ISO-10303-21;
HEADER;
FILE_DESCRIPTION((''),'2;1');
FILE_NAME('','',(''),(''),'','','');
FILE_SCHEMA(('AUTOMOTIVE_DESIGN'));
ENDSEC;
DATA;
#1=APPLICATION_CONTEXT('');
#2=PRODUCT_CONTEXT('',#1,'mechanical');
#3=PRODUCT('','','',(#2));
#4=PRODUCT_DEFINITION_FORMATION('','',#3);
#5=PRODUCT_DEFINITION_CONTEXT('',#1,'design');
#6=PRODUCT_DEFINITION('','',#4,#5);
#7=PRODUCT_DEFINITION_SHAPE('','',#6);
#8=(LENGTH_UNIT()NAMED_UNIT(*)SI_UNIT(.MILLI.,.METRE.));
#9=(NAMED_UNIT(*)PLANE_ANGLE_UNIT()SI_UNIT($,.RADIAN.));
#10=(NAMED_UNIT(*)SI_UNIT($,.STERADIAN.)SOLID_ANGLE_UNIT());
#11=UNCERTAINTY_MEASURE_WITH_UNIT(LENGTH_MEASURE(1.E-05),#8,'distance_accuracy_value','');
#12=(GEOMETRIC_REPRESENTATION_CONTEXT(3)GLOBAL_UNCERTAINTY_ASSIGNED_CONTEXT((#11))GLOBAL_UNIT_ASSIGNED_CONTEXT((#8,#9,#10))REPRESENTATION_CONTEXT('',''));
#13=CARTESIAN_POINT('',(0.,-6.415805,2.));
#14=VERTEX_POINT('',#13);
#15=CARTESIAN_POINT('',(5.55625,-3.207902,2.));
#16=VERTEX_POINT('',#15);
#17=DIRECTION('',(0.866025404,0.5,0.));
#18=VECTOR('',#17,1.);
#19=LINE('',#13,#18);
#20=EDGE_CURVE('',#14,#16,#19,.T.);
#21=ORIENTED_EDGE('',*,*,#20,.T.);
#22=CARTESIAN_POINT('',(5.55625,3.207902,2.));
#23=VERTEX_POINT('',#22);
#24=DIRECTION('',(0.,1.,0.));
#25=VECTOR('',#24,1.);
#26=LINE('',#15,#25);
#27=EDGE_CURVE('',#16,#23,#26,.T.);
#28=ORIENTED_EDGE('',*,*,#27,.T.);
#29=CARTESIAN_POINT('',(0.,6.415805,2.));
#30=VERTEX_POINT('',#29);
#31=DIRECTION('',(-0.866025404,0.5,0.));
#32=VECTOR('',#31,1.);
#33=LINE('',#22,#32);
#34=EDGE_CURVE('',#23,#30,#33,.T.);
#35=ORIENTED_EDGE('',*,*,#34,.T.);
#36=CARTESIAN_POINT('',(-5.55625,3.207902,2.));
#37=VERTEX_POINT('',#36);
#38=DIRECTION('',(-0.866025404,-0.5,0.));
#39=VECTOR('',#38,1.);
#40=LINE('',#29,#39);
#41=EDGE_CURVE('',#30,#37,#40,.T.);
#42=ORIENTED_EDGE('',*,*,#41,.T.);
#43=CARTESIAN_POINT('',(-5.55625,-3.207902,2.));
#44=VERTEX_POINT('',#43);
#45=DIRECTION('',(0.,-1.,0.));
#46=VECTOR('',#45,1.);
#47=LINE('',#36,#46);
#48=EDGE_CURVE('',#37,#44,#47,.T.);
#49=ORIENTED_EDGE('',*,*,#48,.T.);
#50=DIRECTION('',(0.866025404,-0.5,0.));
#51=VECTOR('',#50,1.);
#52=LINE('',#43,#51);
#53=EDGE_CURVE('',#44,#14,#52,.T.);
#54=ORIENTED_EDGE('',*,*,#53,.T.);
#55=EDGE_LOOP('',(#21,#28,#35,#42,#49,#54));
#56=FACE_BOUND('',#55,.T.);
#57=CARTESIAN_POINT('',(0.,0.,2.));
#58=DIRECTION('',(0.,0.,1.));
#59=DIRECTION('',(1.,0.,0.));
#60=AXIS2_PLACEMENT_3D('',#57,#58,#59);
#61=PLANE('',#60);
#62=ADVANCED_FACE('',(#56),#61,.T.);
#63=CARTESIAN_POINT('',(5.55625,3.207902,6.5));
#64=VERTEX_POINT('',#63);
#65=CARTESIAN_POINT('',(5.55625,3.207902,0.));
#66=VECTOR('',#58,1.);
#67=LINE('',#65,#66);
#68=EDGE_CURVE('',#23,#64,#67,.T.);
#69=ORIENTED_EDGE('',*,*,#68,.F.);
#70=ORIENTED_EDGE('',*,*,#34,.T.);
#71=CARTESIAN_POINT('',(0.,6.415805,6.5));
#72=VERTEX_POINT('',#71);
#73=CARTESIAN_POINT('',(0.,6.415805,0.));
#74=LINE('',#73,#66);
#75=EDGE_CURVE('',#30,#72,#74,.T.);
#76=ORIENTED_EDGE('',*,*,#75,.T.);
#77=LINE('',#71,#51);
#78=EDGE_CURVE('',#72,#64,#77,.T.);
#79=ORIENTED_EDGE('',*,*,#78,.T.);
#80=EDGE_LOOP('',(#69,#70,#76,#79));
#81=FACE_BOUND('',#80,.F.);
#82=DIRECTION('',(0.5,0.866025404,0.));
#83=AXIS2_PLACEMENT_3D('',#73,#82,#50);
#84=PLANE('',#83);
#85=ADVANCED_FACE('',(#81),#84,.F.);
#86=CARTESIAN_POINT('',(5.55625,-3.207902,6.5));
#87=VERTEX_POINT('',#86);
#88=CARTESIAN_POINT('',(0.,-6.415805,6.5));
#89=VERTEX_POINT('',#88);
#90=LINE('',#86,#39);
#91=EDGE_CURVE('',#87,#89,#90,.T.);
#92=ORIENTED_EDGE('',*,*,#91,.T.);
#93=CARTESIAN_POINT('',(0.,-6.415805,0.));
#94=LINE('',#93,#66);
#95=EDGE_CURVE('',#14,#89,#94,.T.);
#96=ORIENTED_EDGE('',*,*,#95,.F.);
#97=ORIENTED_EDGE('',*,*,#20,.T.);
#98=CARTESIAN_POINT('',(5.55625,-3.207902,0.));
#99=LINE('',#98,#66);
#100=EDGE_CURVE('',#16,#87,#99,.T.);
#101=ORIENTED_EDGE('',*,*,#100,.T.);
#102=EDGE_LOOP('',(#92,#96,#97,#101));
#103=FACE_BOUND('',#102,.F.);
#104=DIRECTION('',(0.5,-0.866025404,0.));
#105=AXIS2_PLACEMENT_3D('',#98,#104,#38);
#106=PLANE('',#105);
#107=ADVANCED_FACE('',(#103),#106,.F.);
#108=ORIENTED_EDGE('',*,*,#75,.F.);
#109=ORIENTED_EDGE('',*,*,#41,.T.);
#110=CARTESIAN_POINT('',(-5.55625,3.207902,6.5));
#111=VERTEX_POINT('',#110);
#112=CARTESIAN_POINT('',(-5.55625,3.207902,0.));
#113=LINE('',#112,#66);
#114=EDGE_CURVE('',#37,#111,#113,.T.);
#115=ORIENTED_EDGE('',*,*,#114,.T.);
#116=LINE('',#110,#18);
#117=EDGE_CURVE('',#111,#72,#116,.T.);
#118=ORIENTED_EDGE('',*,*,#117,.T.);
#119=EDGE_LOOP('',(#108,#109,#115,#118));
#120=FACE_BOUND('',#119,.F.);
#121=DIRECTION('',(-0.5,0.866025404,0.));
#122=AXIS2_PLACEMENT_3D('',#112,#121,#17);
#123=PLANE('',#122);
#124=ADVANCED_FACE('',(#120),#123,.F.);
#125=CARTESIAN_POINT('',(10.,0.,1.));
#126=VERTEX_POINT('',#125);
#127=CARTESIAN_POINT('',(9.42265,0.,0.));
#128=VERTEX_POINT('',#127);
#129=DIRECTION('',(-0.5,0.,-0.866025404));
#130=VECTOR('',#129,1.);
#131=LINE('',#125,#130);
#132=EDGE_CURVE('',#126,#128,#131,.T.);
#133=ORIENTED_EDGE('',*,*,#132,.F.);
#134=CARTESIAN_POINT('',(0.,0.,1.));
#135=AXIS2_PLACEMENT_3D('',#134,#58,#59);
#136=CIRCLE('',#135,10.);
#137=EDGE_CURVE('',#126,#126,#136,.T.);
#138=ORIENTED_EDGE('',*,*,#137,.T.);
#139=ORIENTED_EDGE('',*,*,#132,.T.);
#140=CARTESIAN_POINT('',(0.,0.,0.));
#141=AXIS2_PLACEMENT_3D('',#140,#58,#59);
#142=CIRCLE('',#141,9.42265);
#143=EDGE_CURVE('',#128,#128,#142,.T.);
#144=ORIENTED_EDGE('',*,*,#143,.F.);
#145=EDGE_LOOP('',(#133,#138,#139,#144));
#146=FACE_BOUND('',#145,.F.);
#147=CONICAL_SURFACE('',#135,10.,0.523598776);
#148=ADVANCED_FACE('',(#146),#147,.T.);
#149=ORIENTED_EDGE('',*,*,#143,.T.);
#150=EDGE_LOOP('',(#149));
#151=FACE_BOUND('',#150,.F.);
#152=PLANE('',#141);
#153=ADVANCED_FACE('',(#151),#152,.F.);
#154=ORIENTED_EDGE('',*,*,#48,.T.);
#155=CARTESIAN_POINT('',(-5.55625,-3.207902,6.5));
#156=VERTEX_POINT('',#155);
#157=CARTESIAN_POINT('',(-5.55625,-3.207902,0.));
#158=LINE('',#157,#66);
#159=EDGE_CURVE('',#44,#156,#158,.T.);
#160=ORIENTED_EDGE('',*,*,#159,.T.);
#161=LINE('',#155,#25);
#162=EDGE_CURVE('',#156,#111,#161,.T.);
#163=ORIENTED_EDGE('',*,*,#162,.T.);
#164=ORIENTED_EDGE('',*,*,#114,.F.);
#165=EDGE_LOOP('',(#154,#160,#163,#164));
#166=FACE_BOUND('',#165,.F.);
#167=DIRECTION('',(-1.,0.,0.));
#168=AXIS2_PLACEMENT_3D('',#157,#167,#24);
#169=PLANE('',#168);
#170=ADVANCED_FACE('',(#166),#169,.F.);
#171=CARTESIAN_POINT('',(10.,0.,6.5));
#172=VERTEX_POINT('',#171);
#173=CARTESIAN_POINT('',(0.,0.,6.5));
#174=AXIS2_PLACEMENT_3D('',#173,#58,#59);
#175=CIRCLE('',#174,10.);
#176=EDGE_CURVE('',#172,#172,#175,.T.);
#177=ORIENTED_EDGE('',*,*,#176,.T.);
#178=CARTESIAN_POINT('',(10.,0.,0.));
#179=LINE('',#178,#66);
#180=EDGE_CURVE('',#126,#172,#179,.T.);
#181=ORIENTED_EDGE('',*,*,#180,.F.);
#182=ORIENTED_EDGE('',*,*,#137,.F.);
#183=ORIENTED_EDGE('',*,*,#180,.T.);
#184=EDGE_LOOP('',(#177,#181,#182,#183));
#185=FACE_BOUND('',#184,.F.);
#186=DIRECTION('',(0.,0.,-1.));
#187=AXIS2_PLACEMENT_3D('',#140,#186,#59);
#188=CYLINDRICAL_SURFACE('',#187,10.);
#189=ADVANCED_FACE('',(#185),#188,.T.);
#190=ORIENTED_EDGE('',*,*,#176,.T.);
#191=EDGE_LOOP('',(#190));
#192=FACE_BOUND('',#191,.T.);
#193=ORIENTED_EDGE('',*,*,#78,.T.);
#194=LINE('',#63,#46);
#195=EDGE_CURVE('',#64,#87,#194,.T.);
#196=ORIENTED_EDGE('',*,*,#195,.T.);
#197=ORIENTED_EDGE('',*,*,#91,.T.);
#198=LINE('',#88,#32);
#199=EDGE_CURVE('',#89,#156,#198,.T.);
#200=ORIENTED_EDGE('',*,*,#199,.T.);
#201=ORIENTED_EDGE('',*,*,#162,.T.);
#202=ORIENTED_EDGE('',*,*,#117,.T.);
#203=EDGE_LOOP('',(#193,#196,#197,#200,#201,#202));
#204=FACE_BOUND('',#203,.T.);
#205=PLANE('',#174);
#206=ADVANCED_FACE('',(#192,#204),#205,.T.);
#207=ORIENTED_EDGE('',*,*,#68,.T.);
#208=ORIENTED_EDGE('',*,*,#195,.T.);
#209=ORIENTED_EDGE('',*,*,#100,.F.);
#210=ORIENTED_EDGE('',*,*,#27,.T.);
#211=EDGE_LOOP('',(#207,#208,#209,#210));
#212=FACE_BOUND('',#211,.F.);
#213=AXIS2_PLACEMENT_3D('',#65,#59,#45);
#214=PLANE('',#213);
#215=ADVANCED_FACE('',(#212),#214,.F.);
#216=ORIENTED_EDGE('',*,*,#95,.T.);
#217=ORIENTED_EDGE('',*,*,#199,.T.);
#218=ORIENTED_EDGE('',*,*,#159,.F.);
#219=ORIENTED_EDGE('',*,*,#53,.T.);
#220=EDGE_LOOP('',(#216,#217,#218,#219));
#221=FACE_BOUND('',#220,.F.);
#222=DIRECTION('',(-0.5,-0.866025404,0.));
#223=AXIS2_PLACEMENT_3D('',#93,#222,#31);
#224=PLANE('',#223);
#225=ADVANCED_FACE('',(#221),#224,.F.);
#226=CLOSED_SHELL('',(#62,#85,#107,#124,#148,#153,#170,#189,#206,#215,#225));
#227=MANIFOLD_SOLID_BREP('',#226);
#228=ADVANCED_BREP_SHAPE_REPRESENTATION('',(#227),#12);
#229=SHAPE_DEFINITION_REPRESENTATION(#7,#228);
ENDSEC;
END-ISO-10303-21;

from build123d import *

# Parameters (mm, degrees)
F0_R     = 10
F1_DEPTH = 6.5
F2_DEPTH = 2
F3_SIZE2 = 0.5773502692
F3_SIZE  = 1


with BuildPart() as f1:
    # F0 (on Top) → F1 (new body)
    with BuildSketch(Plane.XY):
        Circle(F0_R)
        Polygon((-5.55625, -3.2079024332), (-5.55625, 3.2079024332), (0, 6.4158048664), (5.55625, 3.2079024332), (5.55625, -3.2079024332), (0, -6.4158048664), align=None, mode=Mode.SUBTRACT)
    extrude(amount=F1_DEPTH)

    # F0 (on Top) → F2 (join)
    with BuildSketch(Plane.XY):
        Polygon((0, 6.4158048664), (-5.55625, 3.2079024332), (-5.55625, -3.2079024332), (0, -6.4158048664), (5.55625, -3.2079024332), (5.55625, 3.2079024332), align=None)
    extrude(amount=F2_DEPTH)

    # F3
    f3_edges = [f1.edges().sort_by_distance(p)[0] for p in [
        (-10, 0, 0),
    ]]
    f3_side = f1.faces().sort_by_distance((-10, 0, 3.25))[0]
    chamfer(f3_edges, length=F3_SIZE, length2=F3_SIZE2, reference=f3_side)


solid = f1.part
